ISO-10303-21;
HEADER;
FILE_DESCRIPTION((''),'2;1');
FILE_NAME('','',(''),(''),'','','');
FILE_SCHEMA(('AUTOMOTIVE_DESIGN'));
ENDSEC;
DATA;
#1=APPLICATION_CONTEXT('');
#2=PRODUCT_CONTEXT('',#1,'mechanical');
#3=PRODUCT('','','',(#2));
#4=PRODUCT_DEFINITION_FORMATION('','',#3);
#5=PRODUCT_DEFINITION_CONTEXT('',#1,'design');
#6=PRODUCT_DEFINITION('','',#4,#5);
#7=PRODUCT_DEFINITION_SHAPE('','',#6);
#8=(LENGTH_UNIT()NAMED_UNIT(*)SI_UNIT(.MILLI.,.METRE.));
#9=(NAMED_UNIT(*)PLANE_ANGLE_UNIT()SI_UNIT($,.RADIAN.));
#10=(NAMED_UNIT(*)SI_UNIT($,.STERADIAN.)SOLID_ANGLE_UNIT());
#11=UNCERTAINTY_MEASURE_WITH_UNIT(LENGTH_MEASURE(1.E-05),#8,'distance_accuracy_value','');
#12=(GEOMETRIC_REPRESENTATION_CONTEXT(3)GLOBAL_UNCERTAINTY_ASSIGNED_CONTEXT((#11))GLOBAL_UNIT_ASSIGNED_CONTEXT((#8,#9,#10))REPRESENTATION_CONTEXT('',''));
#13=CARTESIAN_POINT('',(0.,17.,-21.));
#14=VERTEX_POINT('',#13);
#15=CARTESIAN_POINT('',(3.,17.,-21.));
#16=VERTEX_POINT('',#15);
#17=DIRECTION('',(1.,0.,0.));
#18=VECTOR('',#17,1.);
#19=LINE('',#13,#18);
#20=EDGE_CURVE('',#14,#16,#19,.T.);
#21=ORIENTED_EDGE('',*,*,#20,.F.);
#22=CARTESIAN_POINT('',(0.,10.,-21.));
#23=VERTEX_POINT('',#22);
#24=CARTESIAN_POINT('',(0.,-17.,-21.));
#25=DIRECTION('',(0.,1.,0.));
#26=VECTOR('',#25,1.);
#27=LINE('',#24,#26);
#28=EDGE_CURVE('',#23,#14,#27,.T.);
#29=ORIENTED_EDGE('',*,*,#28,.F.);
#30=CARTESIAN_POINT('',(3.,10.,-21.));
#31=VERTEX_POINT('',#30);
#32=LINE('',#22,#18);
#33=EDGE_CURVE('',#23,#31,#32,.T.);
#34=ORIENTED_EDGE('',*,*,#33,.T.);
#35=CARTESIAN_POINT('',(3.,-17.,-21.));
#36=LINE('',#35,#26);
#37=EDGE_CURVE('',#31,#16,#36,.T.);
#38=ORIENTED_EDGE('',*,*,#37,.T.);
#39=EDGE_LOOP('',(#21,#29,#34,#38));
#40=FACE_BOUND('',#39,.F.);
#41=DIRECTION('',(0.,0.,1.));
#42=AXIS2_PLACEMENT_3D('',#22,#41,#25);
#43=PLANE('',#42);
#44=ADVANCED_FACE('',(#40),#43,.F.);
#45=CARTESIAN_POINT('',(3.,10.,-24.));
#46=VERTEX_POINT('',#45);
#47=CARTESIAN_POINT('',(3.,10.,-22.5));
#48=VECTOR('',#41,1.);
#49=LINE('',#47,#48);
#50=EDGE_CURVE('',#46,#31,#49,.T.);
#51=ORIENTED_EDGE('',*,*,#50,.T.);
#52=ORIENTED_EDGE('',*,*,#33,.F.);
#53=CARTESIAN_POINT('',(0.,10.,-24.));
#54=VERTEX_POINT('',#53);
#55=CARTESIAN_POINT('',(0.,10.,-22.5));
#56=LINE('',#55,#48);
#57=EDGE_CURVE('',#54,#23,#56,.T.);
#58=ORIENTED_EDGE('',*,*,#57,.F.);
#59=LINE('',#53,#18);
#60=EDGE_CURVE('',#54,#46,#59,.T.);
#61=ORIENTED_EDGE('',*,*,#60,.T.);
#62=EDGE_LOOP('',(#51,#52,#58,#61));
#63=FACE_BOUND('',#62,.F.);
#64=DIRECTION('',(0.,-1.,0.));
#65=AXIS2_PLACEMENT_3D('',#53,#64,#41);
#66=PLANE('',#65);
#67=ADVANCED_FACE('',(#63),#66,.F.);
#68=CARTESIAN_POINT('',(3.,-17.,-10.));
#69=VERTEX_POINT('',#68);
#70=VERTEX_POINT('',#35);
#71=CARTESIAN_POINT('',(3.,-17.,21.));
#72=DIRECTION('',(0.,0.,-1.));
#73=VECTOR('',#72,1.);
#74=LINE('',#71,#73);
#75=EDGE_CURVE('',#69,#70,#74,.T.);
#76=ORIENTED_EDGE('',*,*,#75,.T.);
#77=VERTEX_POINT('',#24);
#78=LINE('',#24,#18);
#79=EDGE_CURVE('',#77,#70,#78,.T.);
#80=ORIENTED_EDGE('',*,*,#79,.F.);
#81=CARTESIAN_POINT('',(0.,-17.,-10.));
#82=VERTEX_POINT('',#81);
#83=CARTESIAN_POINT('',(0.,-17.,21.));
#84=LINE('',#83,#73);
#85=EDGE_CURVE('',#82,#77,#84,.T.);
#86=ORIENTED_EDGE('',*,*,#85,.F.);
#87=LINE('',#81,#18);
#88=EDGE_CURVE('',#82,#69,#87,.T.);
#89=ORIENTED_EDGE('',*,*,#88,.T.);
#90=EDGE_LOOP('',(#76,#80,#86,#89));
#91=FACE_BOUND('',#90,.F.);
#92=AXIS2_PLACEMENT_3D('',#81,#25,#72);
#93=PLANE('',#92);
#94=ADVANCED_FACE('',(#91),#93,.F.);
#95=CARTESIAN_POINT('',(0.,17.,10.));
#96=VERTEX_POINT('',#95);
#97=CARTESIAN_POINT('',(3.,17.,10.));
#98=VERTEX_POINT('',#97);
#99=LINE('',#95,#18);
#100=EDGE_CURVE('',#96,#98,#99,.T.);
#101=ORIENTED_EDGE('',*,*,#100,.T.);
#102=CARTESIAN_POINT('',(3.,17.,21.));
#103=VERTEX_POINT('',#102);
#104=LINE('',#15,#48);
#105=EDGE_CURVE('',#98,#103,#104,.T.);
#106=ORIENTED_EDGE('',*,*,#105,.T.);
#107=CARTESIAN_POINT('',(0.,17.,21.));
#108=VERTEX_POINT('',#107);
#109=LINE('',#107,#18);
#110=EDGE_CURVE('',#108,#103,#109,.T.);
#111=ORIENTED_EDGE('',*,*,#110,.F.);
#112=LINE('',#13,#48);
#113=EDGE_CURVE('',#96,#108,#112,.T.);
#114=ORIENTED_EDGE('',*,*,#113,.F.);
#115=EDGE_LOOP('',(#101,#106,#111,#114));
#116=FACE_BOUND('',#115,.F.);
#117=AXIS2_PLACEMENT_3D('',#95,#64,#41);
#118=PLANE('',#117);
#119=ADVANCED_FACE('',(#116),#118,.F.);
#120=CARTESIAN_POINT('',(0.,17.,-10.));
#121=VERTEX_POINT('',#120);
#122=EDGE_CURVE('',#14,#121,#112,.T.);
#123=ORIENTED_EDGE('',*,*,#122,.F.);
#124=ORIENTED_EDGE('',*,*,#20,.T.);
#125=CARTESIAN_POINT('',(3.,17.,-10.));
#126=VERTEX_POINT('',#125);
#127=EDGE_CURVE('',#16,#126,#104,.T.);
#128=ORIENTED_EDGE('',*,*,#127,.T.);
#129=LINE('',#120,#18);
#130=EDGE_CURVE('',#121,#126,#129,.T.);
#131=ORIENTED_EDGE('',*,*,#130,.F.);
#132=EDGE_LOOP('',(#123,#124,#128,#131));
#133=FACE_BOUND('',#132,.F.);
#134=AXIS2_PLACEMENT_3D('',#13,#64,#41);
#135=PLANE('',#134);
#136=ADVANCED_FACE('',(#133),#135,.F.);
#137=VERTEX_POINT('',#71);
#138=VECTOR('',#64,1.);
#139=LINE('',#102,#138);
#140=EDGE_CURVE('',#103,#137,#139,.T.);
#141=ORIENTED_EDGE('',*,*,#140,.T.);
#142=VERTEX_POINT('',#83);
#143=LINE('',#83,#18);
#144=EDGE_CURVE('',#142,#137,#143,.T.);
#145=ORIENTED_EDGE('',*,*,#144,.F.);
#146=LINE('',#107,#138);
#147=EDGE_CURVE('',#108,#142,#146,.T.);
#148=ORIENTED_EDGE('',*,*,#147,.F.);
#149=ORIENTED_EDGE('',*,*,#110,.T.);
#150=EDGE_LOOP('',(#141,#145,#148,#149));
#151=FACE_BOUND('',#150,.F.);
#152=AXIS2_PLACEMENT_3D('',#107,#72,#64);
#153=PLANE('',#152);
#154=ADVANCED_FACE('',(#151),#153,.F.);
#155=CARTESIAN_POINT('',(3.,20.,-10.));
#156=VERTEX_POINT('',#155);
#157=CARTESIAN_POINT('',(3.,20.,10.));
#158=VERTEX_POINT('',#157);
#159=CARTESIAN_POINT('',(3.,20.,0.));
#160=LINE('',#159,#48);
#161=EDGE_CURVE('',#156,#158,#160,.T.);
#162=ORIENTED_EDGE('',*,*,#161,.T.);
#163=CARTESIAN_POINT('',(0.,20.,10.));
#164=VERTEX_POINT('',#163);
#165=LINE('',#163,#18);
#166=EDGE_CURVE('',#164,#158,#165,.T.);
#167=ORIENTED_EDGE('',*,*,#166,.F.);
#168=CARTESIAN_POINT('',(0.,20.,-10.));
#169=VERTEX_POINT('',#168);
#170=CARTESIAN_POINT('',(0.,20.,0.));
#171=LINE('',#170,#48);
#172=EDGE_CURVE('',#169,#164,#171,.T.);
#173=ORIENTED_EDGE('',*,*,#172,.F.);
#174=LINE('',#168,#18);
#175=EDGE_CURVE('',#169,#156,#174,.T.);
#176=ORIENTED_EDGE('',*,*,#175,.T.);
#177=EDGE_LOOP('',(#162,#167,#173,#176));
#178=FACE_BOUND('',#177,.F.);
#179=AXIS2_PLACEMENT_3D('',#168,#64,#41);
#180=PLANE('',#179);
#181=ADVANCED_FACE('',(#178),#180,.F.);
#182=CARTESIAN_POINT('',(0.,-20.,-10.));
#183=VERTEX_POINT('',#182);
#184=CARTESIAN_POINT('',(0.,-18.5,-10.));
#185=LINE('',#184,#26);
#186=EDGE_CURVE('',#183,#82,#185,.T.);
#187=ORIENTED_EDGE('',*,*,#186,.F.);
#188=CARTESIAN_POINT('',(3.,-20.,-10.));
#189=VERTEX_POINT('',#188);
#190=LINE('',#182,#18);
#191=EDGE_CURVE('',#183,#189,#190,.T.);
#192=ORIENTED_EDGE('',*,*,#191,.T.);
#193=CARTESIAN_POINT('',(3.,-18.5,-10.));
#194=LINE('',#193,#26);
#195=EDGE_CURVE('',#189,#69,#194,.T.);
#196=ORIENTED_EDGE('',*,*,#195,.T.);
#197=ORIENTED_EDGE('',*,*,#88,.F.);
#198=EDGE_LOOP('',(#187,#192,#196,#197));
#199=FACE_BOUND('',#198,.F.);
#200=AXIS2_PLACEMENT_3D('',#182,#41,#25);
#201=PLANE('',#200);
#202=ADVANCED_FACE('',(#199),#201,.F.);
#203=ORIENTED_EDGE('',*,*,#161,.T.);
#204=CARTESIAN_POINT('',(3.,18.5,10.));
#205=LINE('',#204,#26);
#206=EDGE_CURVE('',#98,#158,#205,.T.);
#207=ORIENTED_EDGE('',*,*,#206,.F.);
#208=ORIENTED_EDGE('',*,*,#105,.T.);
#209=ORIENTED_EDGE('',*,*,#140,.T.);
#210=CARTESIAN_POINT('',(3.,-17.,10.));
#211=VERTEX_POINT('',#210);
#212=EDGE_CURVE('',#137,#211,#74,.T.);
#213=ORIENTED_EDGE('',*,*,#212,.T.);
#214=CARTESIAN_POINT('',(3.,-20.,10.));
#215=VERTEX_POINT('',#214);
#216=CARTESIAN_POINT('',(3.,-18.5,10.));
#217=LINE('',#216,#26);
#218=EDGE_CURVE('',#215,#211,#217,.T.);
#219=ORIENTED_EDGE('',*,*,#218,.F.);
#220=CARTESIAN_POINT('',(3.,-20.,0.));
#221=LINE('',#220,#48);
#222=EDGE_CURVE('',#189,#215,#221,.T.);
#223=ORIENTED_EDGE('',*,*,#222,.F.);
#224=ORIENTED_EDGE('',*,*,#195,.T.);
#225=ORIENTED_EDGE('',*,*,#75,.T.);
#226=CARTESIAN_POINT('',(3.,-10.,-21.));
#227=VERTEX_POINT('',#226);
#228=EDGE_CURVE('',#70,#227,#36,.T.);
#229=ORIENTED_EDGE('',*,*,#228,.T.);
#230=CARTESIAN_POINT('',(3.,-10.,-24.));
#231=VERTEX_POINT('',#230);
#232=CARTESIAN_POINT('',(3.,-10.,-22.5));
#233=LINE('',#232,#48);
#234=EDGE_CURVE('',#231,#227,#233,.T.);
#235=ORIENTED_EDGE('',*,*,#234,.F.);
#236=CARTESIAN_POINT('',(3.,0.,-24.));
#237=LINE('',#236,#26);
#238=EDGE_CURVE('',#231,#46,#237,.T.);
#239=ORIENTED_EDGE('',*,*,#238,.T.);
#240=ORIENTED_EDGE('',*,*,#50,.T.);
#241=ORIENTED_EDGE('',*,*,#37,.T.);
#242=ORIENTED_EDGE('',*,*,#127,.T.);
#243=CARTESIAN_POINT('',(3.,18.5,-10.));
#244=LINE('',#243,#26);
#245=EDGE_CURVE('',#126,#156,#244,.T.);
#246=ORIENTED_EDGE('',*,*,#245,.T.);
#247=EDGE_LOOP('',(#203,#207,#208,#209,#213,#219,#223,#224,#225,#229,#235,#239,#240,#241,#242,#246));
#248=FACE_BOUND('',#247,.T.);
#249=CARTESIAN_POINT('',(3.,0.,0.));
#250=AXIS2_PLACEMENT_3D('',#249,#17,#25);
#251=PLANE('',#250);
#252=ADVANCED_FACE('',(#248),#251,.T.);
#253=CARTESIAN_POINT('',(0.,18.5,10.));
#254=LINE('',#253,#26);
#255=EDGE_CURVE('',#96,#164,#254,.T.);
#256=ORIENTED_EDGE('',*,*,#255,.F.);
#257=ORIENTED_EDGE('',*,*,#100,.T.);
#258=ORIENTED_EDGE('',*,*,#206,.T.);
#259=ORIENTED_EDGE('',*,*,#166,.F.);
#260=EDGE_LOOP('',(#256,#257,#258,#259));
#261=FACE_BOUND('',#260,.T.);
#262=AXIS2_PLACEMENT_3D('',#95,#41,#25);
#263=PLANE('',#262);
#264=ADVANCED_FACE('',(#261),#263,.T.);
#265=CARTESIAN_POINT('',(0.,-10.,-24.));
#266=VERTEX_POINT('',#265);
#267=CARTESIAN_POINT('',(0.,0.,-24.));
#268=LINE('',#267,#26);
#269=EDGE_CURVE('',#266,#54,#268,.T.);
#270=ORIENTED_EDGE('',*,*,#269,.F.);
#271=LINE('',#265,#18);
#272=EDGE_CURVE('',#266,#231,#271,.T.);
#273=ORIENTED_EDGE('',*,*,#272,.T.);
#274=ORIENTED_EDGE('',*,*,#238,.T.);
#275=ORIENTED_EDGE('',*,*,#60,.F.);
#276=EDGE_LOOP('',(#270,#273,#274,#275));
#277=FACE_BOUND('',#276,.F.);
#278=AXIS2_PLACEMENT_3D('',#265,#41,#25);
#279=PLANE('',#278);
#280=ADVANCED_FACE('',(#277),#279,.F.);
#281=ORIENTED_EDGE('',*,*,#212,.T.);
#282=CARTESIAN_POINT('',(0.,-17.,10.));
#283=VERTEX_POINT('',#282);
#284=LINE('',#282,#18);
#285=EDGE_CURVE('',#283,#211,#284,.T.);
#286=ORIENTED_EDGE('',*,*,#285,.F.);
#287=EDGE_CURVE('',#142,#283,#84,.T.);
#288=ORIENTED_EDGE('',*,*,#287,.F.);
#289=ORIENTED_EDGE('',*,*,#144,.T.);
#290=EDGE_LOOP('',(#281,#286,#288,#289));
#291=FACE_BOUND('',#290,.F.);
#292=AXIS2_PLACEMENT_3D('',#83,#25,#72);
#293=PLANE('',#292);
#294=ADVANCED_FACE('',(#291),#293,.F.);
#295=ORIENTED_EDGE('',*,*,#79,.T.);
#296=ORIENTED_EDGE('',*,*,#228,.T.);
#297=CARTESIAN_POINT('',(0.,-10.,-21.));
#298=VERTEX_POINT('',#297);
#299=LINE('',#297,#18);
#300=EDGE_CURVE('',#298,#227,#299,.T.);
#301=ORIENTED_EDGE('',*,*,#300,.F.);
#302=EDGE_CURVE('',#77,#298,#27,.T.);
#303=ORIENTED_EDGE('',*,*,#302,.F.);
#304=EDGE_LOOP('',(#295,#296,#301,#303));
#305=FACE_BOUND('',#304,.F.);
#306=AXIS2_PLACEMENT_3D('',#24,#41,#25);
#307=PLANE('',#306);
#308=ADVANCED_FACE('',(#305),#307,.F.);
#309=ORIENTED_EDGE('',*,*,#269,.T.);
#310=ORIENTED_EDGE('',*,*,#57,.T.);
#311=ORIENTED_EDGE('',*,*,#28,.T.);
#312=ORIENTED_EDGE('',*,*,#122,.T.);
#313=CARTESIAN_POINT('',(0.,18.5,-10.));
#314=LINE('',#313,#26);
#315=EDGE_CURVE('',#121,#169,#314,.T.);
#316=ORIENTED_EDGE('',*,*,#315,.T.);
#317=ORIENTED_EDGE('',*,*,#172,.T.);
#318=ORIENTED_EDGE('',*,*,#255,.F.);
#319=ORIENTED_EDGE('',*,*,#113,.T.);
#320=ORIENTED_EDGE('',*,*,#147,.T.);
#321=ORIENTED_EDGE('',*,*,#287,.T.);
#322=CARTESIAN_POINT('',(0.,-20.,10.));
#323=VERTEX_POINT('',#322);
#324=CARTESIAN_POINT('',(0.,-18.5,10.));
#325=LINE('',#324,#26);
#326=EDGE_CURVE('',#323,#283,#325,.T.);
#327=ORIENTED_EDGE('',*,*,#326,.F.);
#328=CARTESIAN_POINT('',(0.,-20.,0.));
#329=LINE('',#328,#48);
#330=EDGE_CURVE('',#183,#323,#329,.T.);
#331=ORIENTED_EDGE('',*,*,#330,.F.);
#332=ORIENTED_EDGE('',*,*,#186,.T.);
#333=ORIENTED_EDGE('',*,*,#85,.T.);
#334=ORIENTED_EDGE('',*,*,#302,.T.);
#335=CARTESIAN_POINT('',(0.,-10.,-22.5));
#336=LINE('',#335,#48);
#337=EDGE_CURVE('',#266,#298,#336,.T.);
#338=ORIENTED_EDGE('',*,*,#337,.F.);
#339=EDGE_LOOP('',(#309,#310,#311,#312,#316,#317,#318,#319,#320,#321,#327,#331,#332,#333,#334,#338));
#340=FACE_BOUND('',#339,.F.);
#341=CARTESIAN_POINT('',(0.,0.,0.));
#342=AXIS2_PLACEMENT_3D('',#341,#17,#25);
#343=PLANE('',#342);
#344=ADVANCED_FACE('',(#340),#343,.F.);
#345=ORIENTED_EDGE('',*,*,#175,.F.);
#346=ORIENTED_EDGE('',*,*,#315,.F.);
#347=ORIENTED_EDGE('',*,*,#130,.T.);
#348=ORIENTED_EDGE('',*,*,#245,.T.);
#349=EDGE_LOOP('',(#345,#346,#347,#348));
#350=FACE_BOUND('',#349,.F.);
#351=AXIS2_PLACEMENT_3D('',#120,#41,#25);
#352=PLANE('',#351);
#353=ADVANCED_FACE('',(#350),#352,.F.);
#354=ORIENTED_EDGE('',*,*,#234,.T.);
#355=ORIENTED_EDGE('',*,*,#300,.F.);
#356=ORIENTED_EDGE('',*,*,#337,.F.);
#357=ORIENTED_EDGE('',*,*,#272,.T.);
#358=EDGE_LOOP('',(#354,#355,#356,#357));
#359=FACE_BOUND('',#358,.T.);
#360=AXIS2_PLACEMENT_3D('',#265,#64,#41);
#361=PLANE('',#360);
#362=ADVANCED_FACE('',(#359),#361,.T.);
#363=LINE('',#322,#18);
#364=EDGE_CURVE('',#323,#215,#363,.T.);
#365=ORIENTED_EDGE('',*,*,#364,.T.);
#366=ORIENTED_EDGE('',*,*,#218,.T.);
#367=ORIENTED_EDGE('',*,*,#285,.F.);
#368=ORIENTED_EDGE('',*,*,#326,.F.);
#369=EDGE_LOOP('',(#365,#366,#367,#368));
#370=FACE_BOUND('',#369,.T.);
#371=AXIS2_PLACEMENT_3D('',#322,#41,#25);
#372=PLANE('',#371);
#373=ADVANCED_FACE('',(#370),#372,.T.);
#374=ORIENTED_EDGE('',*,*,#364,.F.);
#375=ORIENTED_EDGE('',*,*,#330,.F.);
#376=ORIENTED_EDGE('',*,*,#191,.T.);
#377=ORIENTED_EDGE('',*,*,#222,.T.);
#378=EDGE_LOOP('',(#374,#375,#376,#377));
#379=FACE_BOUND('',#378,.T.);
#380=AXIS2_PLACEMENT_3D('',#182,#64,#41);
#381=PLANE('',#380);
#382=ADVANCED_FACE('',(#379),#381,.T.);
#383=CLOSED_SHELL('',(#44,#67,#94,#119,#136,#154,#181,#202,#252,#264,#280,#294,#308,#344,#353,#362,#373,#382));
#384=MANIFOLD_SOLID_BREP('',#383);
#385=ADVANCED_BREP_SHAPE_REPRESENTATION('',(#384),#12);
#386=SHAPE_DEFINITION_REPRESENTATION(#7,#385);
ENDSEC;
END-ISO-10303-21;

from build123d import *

# Parameters (mm, degrees)
F0_W     = 3
F0_H     = 20
F0_W_2   = 20
F0_H_2   = 3
F1_DEPTH = 3


with BuildPart() as f1:
    # F0 (on Right) → F1 (new body)
    with BuildSketch(Plane.YZ):
        Polygon((17, 10), (17, 21), (-17, 21), (-17, 10), (-17, -10), (-17, -21), (-10, -21), (10, -21), (17, -21), (17, -10), align=None)
        with Locations((18.5, 0)):
            Rectangle(F0_W, F0_H)
        with Locations((-18.5, 0)):
            Rectangle(F0_W, F0_H)
        with Locations((0, -22.5)):
            Rectangle(F0_W_2, F0_H_2)
    extrude(amount=F1_DEPTH)


solid = f1.part
